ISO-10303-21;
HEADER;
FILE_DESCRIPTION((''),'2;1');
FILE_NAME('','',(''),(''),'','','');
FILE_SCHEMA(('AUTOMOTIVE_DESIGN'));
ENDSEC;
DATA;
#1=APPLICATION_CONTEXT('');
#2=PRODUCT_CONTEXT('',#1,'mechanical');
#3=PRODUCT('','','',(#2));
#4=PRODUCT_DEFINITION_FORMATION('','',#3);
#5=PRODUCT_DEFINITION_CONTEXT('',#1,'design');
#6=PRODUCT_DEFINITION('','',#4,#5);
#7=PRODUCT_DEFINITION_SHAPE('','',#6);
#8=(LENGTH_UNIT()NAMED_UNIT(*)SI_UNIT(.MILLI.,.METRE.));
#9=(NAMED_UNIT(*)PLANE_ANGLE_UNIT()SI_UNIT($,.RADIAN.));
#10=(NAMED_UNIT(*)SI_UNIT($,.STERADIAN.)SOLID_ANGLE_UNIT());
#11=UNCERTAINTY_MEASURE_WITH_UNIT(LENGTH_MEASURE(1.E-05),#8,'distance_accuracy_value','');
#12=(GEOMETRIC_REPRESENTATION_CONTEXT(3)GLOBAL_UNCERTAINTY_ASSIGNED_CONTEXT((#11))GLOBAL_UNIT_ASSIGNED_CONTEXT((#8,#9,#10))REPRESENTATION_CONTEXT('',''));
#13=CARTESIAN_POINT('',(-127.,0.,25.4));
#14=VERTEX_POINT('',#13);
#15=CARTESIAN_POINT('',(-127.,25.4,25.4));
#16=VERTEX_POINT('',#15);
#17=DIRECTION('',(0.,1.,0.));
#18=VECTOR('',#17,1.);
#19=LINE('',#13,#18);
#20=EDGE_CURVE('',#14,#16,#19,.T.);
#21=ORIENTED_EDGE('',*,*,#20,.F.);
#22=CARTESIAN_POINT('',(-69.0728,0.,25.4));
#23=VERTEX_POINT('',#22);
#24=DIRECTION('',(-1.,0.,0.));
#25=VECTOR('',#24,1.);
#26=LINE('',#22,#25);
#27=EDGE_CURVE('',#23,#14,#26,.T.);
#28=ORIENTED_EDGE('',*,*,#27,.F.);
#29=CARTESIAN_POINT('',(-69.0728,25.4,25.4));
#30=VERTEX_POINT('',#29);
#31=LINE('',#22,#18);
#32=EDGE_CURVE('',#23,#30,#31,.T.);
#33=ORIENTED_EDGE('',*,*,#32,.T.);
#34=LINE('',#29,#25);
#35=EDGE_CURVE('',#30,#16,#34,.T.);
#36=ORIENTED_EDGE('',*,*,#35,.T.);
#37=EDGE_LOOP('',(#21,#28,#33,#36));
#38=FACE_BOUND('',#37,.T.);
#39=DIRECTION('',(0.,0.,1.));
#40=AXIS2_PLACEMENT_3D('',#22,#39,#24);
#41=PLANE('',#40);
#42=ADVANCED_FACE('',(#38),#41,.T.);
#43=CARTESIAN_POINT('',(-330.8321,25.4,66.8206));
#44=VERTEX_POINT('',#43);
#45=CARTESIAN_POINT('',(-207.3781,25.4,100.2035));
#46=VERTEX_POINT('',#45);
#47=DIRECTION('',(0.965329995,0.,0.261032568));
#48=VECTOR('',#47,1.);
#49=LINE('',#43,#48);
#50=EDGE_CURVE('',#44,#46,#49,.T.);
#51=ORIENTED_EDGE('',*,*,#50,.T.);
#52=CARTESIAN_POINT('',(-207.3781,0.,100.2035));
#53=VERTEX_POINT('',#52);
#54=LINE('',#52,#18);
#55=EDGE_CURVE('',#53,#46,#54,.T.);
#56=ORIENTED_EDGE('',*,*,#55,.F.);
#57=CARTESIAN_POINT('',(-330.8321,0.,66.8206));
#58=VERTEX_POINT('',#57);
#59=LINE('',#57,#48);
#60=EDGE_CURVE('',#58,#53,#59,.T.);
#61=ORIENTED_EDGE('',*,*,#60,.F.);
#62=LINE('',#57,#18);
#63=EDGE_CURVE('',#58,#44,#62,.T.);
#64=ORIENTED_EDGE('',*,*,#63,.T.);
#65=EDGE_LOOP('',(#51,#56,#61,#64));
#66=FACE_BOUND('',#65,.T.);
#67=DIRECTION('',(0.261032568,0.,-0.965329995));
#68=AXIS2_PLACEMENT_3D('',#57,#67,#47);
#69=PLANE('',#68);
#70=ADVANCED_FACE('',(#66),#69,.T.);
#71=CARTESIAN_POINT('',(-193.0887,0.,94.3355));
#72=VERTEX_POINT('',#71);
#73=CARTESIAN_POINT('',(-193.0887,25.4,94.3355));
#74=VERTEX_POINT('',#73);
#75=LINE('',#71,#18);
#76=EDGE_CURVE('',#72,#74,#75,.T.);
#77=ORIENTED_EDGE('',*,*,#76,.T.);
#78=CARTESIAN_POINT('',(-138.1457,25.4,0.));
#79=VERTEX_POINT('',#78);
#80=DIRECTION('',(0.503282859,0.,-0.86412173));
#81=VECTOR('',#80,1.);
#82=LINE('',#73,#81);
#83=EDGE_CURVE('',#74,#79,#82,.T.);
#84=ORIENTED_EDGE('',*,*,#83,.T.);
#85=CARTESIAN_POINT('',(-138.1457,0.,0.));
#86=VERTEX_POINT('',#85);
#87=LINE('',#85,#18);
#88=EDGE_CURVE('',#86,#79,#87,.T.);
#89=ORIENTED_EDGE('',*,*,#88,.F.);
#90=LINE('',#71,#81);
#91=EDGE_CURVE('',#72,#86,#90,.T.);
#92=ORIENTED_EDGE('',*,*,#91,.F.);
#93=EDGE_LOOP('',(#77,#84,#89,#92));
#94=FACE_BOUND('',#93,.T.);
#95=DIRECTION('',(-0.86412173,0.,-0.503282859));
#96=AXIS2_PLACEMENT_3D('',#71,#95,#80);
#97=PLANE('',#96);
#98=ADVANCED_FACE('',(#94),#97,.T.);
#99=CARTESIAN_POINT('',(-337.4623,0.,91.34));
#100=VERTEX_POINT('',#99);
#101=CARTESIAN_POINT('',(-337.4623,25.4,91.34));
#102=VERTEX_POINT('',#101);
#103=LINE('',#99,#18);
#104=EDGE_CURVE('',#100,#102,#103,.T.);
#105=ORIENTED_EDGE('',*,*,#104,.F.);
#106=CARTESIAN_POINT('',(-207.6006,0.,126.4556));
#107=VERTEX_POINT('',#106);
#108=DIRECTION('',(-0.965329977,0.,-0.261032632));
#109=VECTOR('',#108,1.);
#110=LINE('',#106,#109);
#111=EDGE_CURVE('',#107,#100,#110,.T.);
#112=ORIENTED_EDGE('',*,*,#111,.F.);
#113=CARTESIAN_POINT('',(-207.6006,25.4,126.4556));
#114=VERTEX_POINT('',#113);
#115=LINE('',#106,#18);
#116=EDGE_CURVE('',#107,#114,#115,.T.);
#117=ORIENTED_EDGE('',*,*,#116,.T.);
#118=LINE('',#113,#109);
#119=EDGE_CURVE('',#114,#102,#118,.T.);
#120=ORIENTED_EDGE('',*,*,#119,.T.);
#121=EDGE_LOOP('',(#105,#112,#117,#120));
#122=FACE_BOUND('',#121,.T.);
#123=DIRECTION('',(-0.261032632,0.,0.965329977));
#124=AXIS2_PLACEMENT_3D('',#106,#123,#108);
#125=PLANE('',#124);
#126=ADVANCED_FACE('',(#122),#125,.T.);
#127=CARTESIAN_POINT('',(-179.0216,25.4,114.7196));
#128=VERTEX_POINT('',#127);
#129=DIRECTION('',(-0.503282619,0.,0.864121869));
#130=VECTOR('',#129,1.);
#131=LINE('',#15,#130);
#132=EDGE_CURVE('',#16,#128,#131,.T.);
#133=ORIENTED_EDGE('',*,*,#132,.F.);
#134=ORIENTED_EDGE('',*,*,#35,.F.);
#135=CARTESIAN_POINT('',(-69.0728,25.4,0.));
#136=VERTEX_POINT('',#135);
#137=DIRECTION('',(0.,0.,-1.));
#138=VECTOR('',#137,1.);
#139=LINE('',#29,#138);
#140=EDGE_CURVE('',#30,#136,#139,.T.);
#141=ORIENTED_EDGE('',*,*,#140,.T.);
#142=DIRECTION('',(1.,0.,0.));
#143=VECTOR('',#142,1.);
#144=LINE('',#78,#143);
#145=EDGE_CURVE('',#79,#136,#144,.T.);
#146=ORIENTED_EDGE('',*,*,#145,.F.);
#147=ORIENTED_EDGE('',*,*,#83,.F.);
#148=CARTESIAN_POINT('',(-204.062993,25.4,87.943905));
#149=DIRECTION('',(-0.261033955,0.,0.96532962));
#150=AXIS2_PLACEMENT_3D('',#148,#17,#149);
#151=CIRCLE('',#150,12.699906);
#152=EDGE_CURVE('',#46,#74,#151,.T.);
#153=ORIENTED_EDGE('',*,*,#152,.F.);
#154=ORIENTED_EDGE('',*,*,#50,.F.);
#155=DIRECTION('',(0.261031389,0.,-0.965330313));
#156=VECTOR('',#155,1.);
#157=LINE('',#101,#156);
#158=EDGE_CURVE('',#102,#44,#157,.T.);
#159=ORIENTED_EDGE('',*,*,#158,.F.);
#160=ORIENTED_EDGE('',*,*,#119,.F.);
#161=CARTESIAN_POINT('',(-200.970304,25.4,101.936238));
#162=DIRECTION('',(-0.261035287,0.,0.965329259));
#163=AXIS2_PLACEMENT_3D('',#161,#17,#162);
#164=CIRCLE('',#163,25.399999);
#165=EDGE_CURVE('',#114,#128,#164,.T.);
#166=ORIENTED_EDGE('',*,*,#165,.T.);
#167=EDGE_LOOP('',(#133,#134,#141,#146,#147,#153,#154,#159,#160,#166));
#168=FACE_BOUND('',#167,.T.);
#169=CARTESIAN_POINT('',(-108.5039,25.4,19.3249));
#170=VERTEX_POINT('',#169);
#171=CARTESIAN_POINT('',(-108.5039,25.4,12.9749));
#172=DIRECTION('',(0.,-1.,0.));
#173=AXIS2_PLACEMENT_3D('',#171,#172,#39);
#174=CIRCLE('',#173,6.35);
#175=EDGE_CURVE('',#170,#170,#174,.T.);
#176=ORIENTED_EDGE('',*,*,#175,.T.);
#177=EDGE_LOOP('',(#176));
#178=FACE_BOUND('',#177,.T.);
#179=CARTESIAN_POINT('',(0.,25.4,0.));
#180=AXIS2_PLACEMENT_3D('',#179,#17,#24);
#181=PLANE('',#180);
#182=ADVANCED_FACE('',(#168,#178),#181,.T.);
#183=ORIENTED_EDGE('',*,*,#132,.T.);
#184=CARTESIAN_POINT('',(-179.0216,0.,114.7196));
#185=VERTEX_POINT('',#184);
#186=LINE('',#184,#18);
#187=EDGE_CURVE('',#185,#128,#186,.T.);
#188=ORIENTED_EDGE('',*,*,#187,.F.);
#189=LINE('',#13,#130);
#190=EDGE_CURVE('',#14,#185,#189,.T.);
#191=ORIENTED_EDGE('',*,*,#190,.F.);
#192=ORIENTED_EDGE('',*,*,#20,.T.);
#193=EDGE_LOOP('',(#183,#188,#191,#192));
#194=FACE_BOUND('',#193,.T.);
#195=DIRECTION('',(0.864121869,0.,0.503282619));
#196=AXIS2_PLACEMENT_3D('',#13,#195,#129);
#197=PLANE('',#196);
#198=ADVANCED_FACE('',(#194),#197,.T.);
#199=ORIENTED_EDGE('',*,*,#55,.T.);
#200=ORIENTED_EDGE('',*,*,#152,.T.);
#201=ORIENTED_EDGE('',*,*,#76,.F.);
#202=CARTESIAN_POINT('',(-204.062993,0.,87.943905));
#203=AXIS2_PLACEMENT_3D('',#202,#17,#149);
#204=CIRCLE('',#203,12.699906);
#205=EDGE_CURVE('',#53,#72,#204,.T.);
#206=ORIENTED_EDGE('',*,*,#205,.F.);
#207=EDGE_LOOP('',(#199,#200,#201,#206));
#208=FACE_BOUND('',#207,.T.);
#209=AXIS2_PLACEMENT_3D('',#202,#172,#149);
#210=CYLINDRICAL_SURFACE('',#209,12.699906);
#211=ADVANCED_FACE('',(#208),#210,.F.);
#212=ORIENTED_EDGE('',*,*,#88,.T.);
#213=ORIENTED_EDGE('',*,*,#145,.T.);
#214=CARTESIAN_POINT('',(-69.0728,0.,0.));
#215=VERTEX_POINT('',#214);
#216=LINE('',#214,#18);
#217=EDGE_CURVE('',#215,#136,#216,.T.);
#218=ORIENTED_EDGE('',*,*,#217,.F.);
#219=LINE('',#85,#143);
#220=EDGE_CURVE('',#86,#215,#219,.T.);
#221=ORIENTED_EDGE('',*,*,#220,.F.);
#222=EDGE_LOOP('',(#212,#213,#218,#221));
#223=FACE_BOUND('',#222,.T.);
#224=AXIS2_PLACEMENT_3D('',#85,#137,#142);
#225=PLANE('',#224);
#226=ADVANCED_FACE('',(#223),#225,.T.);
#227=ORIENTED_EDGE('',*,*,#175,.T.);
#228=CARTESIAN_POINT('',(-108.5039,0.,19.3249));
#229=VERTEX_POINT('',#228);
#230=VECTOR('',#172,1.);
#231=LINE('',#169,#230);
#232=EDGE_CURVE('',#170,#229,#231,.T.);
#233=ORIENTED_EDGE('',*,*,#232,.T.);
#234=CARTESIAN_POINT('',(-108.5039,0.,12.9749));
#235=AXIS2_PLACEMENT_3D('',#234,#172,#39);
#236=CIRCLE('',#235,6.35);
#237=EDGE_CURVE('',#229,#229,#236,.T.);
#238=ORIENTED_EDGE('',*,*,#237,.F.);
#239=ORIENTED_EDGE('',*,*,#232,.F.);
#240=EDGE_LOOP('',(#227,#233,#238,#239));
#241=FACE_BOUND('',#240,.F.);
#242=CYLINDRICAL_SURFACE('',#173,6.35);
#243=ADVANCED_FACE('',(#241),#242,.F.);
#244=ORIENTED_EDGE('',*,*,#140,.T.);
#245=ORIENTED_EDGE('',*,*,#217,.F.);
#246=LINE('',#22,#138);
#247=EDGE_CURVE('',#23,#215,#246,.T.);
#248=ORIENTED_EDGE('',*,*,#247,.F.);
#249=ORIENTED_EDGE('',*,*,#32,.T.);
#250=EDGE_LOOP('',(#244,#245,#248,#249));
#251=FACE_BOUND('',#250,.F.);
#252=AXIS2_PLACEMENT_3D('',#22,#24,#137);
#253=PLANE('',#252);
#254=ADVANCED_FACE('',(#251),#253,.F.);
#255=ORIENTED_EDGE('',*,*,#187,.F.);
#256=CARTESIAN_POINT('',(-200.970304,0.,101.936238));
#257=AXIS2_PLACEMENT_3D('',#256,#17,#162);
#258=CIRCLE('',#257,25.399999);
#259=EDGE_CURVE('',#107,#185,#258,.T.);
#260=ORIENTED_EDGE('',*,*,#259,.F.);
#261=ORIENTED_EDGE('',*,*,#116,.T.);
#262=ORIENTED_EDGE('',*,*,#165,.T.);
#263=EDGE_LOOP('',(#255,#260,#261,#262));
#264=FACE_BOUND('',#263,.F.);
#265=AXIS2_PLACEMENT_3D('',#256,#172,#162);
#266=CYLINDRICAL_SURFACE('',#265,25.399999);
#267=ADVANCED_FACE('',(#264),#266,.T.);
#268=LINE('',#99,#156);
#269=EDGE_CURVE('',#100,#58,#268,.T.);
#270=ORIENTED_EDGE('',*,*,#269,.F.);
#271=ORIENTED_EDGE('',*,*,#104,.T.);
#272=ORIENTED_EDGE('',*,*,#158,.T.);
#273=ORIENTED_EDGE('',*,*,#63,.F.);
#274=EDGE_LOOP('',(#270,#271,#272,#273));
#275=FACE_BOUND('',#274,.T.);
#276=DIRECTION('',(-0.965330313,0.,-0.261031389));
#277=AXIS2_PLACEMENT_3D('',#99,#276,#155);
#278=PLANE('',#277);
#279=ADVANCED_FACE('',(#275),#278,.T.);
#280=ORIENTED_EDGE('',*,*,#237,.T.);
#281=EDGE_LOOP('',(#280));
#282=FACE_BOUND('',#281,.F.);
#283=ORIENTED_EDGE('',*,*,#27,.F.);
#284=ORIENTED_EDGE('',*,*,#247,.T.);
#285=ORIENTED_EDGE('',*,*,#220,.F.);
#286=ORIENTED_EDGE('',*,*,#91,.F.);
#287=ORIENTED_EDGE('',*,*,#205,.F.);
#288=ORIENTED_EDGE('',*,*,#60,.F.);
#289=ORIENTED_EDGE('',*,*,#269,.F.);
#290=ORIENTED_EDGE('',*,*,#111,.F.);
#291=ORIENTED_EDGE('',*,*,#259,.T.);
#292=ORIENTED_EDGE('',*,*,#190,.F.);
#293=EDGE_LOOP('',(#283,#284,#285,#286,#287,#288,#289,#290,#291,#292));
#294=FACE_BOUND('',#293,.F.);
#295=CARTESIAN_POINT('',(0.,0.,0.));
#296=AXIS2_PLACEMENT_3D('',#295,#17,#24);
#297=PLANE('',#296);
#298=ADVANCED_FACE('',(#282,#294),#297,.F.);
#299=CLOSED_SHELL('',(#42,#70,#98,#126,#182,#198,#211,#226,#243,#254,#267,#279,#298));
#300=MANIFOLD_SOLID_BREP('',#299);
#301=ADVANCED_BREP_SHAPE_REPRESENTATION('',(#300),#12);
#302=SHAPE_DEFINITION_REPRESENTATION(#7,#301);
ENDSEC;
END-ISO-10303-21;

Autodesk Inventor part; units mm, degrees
ref_plane "YZ Plane" through (0, 0, 0) normal (1, 0, 0) x (0, 1, 0)
ref_plane "XZ Plane" through (0, 0, 0) normal (0, 1, 0) x (-1, 0, 0)
ref_plane "XY Plane" through (0, 0, 0) normal (0, 0, 1) x (1, 0, 0)
sketch "Sketch2" plane through (0, 0, 0) normal (0, 1, 0) x (-1, 0, 0)
  line L0 (69.0728, 25.4) -> (127, 25.4)
  line L1 (127, 25.4) -> (179.0216, 114.7196)
  line L2 (207.6006, 126.4556) -> (337.4623, 91.34)
  line L3 (337.4623, 91.34) -> (330.8321, 66.8206)
  line L4 (330.8321, 66.8206) -> (207.3781, 100.2035)
  line L5 (193.0887, 94.3355) -> (138.1457, 0)
  line L6 (138.1457, 0) -> (69.0728, 0)
  arc A0 (207.3781, 100.2035) -> (193.0887, 94.3355) centre (204.063, 87.9438) ccw
  arc A1 (207.6006, 126.4556) -> (179.0216, 114.7196) centre (200.9703, 101.9363) ccw
  line L7 (69.0728, 25.4) -> (69.0728, 0)
  point P0 (0, 0)
  dimension "d6" = 25.4
  dimension "d7" = 12.7
  dimension "d8" = 25.4
extrude "Extrusion1" add sketch "Sketch2" along normal blind 25.4
sketch "Sketch3" plane through (0, 25.4, 0) normal (0, 1, 0) x (1, 0, 0)
  point P0 (0, 0)
  point P1 (-108.5039, -12.9749)
hole "Hole1" at (-108.5039, 25.4, 12.9749) direction (0, -1, 0) diameter 12.7 depth 38.1 tip angle 118
properties part number "Scissor"
